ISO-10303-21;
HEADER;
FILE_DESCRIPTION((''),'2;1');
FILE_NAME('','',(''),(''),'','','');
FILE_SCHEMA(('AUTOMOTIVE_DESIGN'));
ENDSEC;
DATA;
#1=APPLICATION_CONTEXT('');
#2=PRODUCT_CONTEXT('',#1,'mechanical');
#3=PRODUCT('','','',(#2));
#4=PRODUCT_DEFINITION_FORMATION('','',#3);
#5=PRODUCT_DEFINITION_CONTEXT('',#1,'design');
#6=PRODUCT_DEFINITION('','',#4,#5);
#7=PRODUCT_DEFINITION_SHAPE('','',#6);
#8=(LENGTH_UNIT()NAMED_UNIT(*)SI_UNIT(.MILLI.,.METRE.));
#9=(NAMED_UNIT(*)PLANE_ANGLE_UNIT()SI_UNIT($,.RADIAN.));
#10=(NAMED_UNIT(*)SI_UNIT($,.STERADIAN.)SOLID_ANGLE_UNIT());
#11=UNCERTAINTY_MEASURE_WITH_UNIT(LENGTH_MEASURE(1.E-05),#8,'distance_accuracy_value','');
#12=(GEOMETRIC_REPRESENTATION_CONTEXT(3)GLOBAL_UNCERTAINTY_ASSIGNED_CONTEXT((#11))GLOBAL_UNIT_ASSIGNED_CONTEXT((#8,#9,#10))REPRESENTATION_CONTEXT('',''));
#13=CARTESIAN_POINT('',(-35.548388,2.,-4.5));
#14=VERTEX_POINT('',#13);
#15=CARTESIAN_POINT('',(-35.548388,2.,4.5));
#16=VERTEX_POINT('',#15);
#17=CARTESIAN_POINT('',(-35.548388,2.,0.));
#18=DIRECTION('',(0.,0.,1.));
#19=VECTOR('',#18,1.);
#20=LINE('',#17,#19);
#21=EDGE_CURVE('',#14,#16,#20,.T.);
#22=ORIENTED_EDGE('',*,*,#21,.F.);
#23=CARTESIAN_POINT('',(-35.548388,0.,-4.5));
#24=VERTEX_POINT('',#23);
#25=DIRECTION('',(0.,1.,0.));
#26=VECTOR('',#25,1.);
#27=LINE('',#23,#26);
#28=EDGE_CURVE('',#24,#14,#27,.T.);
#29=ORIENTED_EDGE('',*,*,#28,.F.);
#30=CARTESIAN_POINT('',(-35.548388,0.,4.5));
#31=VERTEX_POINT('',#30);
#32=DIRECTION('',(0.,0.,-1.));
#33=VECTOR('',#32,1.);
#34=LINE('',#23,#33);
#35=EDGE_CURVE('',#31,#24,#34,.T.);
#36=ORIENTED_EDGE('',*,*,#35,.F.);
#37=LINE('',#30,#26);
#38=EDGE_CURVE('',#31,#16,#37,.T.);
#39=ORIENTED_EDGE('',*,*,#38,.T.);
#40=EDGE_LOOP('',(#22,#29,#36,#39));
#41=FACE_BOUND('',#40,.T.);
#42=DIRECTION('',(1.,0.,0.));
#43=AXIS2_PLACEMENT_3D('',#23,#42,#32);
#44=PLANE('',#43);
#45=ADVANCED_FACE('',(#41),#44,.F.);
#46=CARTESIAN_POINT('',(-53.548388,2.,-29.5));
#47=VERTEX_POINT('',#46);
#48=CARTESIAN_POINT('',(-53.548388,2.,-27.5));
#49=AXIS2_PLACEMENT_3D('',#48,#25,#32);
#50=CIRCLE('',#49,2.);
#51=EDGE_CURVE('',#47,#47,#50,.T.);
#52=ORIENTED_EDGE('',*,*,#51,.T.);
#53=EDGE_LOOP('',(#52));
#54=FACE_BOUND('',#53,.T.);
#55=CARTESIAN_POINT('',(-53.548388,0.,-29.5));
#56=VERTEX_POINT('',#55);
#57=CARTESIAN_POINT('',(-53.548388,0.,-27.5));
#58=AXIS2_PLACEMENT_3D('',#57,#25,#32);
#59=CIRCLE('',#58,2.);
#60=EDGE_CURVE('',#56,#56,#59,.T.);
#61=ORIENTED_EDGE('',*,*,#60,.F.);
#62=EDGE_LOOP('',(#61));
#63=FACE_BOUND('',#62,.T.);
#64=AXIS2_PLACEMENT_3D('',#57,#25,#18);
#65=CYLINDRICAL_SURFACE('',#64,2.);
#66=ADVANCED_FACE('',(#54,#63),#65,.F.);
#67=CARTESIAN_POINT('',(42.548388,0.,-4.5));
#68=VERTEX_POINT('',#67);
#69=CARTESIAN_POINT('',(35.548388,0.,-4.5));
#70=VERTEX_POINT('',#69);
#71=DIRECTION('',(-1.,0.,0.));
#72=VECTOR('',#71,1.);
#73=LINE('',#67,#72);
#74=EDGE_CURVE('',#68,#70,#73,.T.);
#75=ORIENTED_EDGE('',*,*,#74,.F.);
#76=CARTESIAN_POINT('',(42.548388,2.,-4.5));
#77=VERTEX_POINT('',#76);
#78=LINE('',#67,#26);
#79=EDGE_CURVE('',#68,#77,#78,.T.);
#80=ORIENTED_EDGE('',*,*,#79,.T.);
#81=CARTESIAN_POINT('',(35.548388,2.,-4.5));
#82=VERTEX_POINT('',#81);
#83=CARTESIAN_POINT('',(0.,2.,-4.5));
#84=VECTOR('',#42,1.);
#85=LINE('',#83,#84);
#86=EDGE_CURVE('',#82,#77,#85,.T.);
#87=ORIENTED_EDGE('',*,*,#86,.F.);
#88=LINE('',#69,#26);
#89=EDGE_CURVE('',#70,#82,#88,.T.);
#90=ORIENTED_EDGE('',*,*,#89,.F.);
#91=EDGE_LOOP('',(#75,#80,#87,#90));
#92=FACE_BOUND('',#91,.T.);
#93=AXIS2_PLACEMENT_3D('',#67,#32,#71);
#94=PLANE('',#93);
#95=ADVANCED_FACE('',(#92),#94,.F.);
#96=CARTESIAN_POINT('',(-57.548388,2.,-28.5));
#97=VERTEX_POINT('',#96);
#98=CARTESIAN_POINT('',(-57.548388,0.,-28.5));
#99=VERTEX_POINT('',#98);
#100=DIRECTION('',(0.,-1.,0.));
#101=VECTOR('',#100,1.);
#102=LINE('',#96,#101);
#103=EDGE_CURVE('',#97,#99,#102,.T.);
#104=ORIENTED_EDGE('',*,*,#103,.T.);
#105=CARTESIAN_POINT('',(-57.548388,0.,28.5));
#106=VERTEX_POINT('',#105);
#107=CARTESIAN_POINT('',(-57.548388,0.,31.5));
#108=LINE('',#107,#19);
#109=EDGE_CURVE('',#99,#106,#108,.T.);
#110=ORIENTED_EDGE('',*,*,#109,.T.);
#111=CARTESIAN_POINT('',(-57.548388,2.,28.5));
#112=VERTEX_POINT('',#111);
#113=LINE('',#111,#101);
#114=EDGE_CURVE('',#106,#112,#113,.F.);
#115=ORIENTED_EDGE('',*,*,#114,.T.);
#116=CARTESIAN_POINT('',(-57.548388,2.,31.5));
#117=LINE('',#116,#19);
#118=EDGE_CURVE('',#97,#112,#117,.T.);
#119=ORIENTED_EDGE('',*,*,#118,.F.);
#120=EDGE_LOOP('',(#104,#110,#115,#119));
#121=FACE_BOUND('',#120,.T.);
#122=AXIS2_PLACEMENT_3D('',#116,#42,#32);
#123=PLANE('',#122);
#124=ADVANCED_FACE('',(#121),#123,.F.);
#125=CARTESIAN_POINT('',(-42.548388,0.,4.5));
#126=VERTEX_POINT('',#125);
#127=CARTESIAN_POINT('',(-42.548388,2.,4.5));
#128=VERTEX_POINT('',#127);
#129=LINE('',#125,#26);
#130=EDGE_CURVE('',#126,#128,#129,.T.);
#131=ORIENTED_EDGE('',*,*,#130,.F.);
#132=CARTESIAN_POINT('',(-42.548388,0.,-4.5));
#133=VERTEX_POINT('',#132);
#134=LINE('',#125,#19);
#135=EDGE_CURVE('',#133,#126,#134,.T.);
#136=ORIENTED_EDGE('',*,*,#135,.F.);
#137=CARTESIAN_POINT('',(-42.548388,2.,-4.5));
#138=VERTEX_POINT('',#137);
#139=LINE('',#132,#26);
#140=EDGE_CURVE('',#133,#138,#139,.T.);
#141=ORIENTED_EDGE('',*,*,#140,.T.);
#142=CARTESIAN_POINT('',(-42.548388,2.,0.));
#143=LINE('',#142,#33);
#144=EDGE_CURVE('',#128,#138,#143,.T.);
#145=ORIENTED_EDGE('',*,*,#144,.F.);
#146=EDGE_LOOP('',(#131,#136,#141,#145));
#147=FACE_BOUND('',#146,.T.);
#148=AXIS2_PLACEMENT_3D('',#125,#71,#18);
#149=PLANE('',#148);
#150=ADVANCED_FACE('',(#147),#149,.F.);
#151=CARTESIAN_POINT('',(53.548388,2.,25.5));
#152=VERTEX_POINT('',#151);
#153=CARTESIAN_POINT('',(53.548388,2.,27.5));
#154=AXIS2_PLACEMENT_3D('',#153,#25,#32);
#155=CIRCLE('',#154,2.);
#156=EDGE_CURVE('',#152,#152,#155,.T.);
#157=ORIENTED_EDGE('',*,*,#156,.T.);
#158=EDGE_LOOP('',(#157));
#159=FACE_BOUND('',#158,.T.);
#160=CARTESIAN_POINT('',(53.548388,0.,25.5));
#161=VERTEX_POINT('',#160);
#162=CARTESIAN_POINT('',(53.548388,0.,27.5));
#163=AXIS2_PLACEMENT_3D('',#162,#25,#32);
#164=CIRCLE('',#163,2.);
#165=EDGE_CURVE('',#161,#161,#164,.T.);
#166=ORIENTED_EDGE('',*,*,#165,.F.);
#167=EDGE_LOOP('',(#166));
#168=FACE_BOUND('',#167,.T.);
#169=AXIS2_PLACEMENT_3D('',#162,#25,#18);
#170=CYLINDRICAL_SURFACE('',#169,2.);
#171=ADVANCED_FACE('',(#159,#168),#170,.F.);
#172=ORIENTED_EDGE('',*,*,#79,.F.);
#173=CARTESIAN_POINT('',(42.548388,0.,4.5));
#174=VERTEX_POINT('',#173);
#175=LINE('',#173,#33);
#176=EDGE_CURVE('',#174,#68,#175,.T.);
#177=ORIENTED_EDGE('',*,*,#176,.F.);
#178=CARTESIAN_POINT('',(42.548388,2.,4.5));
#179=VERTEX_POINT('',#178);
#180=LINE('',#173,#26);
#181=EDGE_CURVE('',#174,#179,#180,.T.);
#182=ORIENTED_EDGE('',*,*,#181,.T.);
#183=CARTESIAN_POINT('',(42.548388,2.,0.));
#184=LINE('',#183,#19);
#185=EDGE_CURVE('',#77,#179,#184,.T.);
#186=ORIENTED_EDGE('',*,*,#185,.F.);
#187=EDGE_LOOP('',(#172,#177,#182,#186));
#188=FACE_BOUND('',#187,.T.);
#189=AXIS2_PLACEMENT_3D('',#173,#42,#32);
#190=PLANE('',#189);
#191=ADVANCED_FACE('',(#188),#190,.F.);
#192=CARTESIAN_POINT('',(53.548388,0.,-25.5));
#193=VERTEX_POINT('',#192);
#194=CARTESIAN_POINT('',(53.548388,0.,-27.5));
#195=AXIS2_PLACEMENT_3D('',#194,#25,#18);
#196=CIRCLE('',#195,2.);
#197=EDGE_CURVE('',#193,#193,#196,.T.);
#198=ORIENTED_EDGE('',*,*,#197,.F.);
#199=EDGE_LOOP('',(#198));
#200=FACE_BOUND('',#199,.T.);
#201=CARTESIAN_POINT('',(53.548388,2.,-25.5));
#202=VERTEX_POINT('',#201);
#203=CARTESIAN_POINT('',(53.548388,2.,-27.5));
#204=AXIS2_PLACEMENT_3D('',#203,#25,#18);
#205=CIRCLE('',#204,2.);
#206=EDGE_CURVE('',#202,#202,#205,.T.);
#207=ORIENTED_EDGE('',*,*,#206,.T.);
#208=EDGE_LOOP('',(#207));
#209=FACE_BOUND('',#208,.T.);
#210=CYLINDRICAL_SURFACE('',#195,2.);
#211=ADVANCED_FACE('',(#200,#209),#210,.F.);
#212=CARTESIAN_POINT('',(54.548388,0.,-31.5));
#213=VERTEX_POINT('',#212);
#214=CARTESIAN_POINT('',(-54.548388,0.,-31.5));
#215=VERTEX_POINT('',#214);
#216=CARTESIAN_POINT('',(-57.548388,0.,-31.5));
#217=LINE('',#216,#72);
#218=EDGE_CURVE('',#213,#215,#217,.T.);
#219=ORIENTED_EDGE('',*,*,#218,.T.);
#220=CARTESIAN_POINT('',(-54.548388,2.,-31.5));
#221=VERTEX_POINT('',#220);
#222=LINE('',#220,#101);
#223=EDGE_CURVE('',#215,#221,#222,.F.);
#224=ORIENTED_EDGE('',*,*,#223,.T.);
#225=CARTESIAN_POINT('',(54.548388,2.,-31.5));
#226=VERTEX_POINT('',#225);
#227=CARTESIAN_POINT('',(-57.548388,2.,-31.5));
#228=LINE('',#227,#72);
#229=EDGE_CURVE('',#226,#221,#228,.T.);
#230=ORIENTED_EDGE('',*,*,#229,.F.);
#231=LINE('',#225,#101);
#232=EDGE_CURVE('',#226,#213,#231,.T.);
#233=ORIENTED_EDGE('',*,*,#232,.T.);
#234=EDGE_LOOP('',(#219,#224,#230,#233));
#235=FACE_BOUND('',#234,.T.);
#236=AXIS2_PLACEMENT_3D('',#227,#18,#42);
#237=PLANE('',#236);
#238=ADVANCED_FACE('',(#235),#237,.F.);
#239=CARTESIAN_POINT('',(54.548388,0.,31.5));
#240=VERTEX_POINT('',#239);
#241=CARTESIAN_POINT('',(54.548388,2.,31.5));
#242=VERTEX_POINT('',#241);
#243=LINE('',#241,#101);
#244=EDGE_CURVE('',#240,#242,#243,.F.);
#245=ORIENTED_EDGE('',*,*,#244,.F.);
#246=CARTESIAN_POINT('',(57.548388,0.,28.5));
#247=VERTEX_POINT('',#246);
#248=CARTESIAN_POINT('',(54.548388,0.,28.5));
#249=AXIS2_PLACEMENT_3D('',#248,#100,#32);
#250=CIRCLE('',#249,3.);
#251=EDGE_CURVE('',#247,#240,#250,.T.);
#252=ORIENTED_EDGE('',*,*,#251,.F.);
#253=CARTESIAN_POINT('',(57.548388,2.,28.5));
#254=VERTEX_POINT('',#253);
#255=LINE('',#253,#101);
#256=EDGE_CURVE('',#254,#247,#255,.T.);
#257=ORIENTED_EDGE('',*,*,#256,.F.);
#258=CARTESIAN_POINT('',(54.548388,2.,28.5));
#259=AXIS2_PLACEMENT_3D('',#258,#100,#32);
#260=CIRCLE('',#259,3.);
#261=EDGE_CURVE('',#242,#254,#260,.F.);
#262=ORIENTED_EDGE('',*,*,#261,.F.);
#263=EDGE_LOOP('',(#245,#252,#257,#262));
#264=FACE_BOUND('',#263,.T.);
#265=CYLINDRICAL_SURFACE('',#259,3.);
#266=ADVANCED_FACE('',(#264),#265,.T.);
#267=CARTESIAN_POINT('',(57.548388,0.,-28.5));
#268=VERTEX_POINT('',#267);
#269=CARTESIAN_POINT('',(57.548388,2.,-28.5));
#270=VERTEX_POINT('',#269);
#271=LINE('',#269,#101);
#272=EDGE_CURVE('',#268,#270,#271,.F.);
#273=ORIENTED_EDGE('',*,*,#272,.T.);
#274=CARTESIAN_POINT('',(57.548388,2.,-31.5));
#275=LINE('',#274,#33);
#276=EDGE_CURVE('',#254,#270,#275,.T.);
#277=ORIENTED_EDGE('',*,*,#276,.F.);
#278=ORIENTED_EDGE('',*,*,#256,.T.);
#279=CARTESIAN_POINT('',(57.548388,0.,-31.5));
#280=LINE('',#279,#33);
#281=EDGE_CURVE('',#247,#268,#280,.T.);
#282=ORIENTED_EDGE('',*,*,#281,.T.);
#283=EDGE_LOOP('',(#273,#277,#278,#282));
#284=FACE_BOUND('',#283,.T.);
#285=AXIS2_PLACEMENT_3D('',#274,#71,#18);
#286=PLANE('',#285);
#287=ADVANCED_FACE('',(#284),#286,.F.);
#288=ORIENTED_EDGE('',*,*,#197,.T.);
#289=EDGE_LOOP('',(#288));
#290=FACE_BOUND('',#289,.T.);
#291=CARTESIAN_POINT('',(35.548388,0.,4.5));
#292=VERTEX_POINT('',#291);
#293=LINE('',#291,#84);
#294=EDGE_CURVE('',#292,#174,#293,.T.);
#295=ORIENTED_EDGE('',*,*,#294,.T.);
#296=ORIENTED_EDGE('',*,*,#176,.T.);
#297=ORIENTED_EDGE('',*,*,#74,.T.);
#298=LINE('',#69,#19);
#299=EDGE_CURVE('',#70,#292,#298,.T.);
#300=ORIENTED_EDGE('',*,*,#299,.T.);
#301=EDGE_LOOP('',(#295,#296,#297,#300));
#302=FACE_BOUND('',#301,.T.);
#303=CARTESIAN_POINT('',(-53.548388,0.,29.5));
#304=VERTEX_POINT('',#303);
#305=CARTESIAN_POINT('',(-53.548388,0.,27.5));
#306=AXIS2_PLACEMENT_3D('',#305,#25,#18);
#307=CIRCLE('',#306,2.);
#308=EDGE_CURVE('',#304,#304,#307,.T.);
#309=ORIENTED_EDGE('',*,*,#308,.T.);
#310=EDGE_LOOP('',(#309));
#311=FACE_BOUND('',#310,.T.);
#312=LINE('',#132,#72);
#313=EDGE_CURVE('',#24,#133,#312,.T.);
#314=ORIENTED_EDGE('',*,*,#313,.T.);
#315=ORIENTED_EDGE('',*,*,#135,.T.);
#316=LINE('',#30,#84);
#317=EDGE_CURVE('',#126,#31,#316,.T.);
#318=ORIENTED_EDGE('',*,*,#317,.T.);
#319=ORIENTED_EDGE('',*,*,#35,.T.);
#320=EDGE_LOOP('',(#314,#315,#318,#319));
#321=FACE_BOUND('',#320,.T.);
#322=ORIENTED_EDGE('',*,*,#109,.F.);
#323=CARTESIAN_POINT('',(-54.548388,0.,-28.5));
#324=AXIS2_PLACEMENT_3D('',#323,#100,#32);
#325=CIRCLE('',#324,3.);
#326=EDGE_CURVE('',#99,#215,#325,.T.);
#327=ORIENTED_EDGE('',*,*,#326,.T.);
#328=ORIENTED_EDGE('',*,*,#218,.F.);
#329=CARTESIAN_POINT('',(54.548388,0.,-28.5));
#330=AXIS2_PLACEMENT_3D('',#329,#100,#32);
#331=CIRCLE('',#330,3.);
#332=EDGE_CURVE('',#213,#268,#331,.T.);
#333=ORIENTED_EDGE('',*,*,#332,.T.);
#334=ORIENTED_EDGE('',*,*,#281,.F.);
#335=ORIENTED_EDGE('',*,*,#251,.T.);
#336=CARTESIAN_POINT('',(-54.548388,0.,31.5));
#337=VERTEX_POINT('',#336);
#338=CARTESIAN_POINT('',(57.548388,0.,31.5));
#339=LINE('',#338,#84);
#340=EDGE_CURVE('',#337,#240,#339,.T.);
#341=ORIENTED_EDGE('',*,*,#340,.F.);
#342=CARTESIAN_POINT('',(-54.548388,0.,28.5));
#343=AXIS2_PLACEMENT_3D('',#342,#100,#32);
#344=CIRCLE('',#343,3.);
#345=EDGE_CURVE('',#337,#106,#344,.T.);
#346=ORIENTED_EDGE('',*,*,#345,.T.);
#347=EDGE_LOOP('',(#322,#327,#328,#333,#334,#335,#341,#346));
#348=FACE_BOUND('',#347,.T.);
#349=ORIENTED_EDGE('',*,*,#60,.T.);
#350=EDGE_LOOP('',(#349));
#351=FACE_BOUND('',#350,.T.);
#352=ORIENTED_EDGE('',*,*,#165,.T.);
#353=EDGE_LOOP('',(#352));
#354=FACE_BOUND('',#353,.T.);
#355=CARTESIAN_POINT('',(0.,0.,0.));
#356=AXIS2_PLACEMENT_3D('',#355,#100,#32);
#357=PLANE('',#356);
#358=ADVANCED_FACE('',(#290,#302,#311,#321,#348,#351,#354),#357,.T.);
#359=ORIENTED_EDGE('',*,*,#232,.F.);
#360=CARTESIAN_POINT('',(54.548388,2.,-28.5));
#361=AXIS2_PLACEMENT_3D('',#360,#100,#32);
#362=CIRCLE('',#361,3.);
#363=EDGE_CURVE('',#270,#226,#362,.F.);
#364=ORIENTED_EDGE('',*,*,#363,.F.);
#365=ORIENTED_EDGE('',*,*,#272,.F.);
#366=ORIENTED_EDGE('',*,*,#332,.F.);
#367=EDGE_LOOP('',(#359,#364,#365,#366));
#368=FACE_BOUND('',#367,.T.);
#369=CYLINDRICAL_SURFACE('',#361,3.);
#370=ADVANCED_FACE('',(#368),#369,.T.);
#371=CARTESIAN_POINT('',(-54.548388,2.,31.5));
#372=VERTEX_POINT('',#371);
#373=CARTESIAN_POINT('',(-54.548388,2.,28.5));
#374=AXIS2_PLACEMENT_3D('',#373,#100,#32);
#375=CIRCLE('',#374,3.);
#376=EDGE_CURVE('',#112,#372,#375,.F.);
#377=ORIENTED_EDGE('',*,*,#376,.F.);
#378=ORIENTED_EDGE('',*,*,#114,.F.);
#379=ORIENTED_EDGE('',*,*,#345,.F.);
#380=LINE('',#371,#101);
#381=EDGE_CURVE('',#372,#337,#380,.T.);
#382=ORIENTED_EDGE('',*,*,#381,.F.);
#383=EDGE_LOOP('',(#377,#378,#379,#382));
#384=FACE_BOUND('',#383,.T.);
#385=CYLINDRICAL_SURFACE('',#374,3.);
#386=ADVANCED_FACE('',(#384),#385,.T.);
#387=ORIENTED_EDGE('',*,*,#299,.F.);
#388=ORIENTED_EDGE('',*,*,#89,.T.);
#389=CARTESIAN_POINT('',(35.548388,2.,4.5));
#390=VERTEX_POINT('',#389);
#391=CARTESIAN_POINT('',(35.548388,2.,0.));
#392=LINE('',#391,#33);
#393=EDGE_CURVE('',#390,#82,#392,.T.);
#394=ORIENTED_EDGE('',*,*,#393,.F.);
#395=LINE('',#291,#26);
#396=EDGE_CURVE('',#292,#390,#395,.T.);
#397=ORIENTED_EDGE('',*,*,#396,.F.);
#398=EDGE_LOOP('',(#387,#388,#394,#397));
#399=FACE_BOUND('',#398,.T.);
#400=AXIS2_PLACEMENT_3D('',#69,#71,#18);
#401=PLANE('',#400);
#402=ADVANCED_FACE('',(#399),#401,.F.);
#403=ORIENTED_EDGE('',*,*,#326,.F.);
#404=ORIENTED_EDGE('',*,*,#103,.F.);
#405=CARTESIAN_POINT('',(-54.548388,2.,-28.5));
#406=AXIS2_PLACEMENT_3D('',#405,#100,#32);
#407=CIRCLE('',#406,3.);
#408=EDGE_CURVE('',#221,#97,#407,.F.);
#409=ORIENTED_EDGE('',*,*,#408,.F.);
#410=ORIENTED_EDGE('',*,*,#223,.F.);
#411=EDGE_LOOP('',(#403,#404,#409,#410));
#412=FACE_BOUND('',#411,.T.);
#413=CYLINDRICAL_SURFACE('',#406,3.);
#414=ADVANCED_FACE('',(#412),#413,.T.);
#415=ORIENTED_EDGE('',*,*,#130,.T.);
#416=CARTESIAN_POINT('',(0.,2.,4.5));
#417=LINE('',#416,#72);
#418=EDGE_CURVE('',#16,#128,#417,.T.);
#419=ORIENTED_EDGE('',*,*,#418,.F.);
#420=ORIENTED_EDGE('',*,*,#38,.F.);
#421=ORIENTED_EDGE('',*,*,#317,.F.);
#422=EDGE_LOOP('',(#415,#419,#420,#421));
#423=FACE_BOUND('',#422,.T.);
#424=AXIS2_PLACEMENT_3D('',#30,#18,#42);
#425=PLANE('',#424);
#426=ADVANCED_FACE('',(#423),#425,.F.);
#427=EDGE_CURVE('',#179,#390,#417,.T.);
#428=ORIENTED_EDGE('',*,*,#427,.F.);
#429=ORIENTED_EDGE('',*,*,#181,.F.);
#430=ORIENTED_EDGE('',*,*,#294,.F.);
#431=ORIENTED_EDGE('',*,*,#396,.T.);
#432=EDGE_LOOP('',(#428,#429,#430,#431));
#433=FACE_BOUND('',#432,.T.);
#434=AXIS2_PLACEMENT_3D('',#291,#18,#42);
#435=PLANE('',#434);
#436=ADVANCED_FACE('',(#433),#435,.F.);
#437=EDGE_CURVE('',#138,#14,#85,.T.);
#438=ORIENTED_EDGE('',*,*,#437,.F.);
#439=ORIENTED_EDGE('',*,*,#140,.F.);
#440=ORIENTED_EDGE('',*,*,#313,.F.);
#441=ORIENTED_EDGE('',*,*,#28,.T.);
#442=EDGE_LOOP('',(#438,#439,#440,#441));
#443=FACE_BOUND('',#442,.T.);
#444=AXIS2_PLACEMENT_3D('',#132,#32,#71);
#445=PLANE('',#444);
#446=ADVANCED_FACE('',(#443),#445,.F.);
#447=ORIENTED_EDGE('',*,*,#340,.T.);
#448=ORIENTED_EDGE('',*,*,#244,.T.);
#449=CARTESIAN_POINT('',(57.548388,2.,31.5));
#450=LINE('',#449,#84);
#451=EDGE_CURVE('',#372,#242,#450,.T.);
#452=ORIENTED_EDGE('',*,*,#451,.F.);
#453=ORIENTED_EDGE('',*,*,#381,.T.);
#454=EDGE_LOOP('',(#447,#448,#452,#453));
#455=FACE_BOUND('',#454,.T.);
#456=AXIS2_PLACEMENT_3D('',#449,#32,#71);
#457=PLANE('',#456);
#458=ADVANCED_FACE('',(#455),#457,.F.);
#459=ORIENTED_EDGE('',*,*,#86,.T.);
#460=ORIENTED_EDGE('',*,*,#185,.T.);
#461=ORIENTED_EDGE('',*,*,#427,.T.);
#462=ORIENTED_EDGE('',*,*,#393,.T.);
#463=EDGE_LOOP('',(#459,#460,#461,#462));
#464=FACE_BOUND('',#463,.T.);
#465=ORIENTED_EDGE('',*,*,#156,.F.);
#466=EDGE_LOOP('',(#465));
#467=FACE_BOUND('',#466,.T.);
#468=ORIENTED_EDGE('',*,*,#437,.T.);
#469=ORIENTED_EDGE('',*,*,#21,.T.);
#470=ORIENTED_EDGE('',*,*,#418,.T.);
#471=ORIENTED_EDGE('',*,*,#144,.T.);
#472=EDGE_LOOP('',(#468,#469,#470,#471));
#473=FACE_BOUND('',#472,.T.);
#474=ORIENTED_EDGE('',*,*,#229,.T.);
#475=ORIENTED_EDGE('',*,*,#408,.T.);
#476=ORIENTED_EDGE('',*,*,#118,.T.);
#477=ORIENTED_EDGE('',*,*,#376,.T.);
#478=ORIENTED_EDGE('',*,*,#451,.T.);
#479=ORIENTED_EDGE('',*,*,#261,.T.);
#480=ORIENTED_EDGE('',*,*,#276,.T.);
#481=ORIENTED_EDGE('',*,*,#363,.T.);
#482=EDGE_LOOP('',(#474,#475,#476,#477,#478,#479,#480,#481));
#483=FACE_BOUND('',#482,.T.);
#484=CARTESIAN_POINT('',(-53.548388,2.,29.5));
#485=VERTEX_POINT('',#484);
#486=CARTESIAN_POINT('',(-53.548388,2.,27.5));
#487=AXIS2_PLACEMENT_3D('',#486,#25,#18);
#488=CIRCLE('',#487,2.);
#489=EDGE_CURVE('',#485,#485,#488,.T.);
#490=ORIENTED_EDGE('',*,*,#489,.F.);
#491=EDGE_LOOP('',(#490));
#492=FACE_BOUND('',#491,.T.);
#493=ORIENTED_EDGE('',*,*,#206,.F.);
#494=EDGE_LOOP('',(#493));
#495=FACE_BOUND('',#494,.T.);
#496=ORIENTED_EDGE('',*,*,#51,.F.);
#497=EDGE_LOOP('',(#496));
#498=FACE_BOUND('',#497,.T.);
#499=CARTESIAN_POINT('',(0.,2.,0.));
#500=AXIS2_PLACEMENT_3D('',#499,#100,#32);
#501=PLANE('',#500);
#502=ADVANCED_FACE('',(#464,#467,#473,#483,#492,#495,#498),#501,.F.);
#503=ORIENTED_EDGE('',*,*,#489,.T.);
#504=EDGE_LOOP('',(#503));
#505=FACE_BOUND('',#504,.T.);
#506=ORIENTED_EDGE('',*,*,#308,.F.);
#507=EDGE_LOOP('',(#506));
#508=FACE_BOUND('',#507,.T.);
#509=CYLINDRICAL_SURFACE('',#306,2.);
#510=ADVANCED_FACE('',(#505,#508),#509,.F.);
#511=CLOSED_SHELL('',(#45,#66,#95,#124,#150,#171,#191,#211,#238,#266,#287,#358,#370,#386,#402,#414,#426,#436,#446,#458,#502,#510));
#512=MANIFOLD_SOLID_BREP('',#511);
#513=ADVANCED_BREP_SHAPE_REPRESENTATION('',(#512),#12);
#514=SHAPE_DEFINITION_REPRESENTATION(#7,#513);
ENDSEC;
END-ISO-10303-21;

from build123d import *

# Parameters (mm, degrees)
ESBO_O1_W                  = 115.09677689
ESBO_O1_H                  = 63
RESSALTO_EXTRUS_O1_DEPTH   = 2
ESBO_O5_R                  = 2
CORTE_EXTRUS_O3_DEPTH      = 66.635866816
FILETE1_R                  = 3
CORTE_EXTRUS_O4_DEPTH      = 66.635866816
CORTE_EXTRUS_O4_DEPTH_BACK = 66.635866816
ESBO_O6_W                  = 7
ESBO_O6_H                  = 9


with BuildPart() as part:
    # Esboço1 → Ressalto-extrusão1 (new body)
    with BuildSketch(Plane(origin=(0, 0, 0), x_dir=(1, 0, 0), z_dir=(0, 1, 0))):
        Rectangle(ESBO_O1_W, ESBO_O1_H)
    extrude(amount=RESSALTO_EXTRUS_O1_DEPTH)

    # Esboço5 → Corte-extrusão3 (cut, through all)
    with BuildSketch(Plane(origin=(0, 2, 0), x_dir=(1, 0, 0), z_dir=(0, 1, 0))):
        with Locations(Location((53.548388445, 27.5, 0), (0, 0, 270))):
            Circle(ESBO_O5_R)
        with Locations(Location((53.548388445, -27.5, 0), (0, 0, 90))):
            Circle(ESBO_O5_R)
        with Locations(Location((-53.548388445, -27.5, 0), (0, 0, 270))):
            Circle(ESBO_O5_R)
        with Locations(Location((-53.548388445, 27.5, 0), (0, 0, 90))):
            Circle(ESBO_O5_R)
    extrude(amount=-CORTE_EXTRUS_O3_DEPTH, mode=Mode.SUBTRACT)

    # Filete1
    filete1_edges = [part.edges().sort_by_distance(p)[0] for p in [
        (-57.548388445, 1, -31.5),
        (57.548388445, 1, -31.5),
        (57.548388445, 1, 31.5),
        (-57.548388445, 1, 31.5),
    ]]
    fillet(filete1_edges, radius=FILETE1_R)

    # Esboço6 → Corte-extrusão4 (cut, two sides: drawn at the far end of the back side and taken through both)
    with BuildSketch(Plane(origin=(0, 2, 0), x_dir=(1, 0, 0), z_dir=(0, 1, 0)).offset(-CORTE_EXTRUS_O4_DEPTH_BACK)):
        with Locations((-39.048388445, 0)):
            Rectangle(ESBO_O6_W, ESBO_O6_H)
        with Locations((39.048388445, 0)):
            Rectangle(ESBO_O6_W, ESBO_O6_H)
    extrude(amount=CORTE_EXTRUS_O4_DEPTH + CORTE_EXTRUS_O4_DEPTH_BACK, mode=Mode.SUBTRACT)


solid = part.part
